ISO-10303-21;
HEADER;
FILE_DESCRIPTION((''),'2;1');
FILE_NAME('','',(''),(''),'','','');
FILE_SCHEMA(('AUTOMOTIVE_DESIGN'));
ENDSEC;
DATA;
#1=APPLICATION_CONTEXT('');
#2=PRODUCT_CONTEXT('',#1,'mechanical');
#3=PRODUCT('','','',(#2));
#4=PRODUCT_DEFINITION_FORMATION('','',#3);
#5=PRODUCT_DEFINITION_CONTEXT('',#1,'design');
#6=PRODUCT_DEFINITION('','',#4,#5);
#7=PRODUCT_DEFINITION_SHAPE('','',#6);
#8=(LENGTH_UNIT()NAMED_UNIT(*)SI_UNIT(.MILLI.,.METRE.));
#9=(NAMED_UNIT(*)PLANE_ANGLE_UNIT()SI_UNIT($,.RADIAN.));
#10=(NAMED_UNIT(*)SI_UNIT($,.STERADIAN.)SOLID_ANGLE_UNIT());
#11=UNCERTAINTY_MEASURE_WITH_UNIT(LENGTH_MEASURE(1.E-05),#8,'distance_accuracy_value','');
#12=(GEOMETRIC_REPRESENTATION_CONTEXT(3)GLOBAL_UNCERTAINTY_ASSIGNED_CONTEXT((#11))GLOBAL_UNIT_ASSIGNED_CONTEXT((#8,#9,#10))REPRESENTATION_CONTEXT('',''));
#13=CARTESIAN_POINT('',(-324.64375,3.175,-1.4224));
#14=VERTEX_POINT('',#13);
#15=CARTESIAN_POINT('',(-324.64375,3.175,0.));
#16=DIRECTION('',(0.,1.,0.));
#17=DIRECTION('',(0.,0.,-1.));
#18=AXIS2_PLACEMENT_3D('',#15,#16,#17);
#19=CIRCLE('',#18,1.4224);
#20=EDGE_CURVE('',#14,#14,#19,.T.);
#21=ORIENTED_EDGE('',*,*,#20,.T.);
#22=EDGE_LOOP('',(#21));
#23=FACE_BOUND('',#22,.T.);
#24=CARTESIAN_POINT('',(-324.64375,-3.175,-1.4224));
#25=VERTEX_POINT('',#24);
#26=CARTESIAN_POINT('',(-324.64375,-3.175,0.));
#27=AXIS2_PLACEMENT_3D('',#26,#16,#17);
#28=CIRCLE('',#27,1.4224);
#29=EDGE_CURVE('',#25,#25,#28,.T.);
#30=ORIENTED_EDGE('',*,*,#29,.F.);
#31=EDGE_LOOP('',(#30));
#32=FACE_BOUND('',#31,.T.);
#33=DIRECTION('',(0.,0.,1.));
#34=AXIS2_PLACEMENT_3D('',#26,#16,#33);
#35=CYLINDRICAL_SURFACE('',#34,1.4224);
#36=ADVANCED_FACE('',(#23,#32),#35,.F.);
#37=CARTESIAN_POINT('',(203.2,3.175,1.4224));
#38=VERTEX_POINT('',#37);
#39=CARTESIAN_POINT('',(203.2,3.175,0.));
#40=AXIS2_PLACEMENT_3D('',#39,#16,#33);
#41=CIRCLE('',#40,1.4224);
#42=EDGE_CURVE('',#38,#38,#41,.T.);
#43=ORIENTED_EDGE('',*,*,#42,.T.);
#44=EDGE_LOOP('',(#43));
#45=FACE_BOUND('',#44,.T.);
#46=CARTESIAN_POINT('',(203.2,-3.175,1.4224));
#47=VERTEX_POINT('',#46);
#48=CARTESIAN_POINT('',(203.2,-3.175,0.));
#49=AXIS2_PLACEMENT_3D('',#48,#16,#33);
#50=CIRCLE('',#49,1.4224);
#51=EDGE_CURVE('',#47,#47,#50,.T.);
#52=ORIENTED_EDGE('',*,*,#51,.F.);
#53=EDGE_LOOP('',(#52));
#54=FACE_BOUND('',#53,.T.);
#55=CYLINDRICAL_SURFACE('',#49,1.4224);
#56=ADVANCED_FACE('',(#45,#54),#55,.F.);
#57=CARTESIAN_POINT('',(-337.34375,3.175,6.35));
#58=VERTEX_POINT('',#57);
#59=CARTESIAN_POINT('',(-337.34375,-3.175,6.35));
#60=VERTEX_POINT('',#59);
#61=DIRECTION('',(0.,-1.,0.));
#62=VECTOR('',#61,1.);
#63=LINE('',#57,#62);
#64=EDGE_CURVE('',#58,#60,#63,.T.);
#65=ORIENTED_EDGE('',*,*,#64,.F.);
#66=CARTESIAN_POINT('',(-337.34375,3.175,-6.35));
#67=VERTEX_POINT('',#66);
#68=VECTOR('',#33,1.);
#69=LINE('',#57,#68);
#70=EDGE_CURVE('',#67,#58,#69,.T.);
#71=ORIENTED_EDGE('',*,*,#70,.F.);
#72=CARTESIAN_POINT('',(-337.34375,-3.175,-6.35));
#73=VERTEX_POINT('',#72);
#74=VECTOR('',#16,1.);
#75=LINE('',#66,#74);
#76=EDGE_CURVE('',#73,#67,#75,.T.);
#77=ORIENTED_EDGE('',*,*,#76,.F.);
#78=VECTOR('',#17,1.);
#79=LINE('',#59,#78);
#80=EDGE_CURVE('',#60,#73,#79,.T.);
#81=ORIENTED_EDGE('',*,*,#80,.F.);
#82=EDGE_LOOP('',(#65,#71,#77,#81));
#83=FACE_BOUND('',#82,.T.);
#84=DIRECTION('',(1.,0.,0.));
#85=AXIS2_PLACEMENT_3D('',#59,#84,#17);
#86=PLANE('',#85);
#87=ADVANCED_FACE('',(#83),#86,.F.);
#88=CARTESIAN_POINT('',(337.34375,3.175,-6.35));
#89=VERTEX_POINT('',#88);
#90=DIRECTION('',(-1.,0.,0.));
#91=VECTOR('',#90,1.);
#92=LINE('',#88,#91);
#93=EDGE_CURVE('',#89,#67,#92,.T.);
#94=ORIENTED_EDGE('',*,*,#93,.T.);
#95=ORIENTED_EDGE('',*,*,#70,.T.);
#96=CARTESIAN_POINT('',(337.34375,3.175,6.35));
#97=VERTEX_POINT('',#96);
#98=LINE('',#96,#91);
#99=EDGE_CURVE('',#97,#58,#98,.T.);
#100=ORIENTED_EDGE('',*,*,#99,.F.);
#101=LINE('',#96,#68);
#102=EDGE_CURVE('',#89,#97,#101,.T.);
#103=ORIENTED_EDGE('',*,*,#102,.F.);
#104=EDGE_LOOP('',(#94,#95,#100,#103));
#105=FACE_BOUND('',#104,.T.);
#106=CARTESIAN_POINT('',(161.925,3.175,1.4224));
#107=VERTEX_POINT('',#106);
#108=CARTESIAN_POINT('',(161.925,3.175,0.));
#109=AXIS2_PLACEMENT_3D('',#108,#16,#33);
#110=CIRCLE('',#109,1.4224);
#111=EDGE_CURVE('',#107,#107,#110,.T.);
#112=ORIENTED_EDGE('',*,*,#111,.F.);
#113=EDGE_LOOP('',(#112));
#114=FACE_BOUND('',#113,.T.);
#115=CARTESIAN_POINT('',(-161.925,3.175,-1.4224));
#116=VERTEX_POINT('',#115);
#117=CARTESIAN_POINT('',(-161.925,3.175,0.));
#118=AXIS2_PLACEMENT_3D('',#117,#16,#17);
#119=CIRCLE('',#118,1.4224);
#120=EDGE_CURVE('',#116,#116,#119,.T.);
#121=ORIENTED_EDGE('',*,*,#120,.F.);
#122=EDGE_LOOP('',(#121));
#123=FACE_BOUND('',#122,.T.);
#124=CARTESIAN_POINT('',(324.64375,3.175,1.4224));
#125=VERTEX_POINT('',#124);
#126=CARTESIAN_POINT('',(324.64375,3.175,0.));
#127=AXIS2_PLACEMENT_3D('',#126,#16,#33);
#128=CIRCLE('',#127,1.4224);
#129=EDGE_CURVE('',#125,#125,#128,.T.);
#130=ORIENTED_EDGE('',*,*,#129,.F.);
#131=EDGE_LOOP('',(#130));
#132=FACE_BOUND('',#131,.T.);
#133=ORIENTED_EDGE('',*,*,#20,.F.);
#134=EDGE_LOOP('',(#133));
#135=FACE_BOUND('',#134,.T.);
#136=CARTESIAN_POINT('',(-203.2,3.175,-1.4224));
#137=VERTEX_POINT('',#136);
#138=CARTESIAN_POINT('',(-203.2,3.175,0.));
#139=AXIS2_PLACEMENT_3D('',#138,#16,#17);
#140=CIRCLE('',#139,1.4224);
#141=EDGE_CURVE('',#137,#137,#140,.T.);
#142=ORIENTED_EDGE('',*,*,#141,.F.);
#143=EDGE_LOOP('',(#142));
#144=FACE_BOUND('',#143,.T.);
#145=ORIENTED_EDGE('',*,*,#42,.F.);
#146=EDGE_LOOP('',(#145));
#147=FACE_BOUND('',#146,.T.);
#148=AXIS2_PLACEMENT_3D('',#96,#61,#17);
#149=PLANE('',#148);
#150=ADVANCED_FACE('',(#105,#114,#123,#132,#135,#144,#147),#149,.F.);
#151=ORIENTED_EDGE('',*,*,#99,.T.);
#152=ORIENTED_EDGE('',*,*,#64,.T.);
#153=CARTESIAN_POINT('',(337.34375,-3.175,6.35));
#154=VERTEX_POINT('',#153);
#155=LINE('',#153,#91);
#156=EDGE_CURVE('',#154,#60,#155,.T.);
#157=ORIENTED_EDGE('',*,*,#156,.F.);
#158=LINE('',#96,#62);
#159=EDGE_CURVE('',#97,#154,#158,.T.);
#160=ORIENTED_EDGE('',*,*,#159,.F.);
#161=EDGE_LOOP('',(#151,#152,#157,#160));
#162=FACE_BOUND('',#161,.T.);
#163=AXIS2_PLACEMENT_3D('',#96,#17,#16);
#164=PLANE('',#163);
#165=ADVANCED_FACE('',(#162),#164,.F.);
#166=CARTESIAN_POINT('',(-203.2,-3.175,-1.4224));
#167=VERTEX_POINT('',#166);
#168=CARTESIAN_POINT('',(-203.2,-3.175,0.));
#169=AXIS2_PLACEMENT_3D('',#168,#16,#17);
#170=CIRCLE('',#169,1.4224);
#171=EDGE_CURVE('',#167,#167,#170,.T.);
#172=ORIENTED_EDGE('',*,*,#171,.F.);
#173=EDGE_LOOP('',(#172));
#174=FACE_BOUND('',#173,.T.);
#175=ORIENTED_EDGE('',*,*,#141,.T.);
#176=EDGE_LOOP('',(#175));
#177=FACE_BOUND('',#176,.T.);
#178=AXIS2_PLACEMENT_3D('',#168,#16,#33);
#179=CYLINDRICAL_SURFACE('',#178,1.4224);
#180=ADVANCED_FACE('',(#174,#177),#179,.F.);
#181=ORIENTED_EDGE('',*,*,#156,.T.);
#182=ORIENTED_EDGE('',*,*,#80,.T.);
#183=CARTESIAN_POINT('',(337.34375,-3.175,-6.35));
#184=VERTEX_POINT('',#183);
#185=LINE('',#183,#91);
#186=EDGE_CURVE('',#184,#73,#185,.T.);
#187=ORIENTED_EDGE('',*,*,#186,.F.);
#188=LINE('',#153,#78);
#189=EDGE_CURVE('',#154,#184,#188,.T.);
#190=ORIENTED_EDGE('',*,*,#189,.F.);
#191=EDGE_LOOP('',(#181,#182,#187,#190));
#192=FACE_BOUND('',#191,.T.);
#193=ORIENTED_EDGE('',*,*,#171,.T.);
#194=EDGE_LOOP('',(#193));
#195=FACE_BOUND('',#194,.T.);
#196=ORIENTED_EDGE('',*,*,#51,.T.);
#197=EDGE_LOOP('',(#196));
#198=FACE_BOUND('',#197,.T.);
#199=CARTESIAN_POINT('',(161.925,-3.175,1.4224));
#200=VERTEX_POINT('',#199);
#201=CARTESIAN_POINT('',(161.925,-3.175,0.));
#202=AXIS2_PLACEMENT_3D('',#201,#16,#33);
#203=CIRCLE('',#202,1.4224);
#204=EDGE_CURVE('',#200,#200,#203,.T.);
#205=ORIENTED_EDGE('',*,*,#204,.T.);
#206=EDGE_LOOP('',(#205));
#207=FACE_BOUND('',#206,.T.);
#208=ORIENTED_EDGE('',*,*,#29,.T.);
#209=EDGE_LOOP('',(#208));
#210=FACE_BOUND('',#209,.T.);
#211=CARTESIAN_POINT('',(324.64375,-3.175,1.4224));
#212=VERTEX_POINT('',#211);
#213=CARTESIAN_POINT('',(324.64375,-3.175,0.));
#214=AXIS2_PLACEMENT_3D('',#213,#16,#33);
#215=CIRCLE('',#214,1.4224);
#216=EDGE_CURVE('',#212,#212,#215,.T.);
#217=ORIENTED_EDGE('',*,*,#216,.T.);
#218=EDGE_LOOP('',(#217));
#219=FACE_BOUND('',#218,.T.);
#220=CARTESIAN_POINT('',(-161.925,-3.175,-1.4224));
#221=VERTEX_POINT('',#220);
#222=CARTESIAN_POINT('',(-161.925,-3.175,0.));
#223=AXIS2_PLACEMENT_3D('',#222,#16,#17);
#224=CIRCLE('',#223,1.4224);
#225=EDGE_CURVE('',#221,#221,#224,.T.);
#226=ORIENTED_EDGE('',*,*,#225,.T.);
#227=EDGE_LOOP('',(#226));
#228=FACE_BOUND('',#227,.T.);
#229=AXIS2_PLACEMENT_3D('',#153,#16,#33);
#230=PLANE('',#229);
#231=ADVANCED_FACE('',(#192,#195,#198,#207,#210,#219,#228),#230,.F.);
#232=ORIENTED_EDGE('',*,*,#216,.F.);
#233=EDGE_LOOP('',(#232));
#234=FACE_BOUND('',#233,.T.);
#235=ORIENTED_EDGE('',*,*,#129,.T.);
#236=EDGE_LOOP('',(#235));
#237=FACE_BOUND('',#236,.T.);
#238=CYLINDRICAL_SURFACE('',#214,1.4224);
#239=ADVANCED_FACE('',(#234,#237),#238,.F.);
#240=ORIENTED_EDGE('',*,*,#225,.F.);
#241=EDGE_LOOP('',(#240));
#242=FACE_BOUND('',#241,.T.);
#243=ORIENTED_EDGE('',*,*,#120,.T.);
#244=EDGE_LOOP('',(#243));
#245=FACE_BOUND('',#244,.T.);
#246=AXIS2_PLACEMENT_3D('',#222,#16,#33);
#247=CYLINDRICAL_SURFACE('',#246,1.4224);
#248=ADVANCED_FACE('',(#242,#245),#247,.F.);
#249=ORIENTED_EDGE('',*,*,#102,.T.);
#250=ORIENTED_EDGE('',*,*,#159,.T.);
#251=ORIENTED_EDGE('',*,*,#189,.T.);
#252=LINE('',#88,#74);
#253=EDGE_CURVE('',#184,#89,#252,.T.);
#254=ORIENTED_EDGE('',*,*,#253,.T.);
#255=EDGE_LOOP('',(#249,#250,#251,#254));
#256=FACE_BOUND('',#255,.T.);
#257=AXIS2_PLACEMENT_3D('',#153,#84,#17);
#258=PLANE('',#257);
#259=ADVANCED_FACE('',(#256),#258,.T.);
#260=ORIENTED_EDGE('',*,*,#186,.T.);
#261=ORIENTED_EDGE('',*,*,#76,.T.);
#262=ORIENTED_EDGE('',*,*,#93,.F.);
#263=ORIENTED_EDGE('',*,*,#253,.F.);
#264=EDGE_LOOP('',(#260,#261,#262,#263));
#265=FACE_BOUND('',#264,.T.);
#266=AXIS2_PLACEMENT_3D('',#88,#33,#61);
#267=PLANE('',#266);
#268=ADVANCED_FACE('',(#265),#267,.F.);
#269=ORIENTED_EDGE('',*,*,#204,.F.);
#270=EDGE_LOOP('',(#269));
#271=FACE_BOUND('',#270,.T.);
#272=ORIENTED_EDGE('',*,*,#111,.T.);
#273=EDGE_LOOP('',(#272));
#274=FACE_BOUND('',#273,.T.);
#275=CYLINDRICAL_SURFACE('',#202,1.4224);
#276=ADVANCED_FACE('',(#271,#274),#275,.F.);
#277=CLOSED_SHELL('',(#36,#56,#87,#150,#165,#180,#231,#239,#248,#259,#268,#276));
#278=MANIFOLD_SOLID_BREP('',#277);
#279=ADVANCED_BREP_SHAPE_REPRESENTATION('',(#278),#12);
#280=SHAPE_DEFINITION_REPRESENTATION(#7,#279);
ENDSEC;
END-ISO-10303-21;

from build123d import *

# Parameters (mm, degrees)
SKETCH1_W           = 12.7
SKETCH1_H           = 6.35
BOSS_EXTRUDE1_DEPTH = 337.34375
SKETCH2_R           = 1.4224
CUT_EXTRUDE1_DEPTH  = 7.35


with BuildPart() as part:
    # Sketch1 → Boss-Extrude1 (new body, symmetric)
    with BuildSketch(Plane(origin=(0, 0, 0), x_dir=(0, 0, -1), z_dir=(1, 0, 0))):
        Rectangle(SKETCH1_W, SKETCH1_H)
    extrude(amount=BOSS_EXTRUDE1_DEPTH, both=True)

    # Sketch2 → Cut-Extrude1 (cut, through all)
    with BuildSketch(Plane(origin=(0, 3.175, 0), x_dir=(1, 0, 0), z_dir=(0, 1, 0))):
        with Locations(Location((161.925, 0, 0), (0, 0, 270))):  # turned: the seam where the file's is
            Circle(SKETCH2_R)
        with Locations(Location((203.2, 0, 0), (0, 0, 270))):  # turned: the seam where the file's is
            Circle(SKETCH2_R)
        with Locations(Location((-203.2, 0, 0), (0, 0, 90))):  # turned: the seam where the file's is
            Circle(SKETCH2_R)
        with Locations(Location((-161.925, 0, 0), (0, 0, 90))):  # turned: the seam where the file's is
            Circle(SKETCH2_R)
        with Locations(Location((324.64375, 0, 0), (0, 0, 270))):  # turned: the seam where the file's is
            Circle(SKETCH2_R)
        with Locations(Location((-324.64375, 0, 0), (0, 0, 90))):  # turned: the seam where the file's is
            Circle(SKETCH2_R)
    extrude(amount=-CUT_EXTRUDE1_DEPTH, mode=Mode.SUBTRACT)


solid = part.part
